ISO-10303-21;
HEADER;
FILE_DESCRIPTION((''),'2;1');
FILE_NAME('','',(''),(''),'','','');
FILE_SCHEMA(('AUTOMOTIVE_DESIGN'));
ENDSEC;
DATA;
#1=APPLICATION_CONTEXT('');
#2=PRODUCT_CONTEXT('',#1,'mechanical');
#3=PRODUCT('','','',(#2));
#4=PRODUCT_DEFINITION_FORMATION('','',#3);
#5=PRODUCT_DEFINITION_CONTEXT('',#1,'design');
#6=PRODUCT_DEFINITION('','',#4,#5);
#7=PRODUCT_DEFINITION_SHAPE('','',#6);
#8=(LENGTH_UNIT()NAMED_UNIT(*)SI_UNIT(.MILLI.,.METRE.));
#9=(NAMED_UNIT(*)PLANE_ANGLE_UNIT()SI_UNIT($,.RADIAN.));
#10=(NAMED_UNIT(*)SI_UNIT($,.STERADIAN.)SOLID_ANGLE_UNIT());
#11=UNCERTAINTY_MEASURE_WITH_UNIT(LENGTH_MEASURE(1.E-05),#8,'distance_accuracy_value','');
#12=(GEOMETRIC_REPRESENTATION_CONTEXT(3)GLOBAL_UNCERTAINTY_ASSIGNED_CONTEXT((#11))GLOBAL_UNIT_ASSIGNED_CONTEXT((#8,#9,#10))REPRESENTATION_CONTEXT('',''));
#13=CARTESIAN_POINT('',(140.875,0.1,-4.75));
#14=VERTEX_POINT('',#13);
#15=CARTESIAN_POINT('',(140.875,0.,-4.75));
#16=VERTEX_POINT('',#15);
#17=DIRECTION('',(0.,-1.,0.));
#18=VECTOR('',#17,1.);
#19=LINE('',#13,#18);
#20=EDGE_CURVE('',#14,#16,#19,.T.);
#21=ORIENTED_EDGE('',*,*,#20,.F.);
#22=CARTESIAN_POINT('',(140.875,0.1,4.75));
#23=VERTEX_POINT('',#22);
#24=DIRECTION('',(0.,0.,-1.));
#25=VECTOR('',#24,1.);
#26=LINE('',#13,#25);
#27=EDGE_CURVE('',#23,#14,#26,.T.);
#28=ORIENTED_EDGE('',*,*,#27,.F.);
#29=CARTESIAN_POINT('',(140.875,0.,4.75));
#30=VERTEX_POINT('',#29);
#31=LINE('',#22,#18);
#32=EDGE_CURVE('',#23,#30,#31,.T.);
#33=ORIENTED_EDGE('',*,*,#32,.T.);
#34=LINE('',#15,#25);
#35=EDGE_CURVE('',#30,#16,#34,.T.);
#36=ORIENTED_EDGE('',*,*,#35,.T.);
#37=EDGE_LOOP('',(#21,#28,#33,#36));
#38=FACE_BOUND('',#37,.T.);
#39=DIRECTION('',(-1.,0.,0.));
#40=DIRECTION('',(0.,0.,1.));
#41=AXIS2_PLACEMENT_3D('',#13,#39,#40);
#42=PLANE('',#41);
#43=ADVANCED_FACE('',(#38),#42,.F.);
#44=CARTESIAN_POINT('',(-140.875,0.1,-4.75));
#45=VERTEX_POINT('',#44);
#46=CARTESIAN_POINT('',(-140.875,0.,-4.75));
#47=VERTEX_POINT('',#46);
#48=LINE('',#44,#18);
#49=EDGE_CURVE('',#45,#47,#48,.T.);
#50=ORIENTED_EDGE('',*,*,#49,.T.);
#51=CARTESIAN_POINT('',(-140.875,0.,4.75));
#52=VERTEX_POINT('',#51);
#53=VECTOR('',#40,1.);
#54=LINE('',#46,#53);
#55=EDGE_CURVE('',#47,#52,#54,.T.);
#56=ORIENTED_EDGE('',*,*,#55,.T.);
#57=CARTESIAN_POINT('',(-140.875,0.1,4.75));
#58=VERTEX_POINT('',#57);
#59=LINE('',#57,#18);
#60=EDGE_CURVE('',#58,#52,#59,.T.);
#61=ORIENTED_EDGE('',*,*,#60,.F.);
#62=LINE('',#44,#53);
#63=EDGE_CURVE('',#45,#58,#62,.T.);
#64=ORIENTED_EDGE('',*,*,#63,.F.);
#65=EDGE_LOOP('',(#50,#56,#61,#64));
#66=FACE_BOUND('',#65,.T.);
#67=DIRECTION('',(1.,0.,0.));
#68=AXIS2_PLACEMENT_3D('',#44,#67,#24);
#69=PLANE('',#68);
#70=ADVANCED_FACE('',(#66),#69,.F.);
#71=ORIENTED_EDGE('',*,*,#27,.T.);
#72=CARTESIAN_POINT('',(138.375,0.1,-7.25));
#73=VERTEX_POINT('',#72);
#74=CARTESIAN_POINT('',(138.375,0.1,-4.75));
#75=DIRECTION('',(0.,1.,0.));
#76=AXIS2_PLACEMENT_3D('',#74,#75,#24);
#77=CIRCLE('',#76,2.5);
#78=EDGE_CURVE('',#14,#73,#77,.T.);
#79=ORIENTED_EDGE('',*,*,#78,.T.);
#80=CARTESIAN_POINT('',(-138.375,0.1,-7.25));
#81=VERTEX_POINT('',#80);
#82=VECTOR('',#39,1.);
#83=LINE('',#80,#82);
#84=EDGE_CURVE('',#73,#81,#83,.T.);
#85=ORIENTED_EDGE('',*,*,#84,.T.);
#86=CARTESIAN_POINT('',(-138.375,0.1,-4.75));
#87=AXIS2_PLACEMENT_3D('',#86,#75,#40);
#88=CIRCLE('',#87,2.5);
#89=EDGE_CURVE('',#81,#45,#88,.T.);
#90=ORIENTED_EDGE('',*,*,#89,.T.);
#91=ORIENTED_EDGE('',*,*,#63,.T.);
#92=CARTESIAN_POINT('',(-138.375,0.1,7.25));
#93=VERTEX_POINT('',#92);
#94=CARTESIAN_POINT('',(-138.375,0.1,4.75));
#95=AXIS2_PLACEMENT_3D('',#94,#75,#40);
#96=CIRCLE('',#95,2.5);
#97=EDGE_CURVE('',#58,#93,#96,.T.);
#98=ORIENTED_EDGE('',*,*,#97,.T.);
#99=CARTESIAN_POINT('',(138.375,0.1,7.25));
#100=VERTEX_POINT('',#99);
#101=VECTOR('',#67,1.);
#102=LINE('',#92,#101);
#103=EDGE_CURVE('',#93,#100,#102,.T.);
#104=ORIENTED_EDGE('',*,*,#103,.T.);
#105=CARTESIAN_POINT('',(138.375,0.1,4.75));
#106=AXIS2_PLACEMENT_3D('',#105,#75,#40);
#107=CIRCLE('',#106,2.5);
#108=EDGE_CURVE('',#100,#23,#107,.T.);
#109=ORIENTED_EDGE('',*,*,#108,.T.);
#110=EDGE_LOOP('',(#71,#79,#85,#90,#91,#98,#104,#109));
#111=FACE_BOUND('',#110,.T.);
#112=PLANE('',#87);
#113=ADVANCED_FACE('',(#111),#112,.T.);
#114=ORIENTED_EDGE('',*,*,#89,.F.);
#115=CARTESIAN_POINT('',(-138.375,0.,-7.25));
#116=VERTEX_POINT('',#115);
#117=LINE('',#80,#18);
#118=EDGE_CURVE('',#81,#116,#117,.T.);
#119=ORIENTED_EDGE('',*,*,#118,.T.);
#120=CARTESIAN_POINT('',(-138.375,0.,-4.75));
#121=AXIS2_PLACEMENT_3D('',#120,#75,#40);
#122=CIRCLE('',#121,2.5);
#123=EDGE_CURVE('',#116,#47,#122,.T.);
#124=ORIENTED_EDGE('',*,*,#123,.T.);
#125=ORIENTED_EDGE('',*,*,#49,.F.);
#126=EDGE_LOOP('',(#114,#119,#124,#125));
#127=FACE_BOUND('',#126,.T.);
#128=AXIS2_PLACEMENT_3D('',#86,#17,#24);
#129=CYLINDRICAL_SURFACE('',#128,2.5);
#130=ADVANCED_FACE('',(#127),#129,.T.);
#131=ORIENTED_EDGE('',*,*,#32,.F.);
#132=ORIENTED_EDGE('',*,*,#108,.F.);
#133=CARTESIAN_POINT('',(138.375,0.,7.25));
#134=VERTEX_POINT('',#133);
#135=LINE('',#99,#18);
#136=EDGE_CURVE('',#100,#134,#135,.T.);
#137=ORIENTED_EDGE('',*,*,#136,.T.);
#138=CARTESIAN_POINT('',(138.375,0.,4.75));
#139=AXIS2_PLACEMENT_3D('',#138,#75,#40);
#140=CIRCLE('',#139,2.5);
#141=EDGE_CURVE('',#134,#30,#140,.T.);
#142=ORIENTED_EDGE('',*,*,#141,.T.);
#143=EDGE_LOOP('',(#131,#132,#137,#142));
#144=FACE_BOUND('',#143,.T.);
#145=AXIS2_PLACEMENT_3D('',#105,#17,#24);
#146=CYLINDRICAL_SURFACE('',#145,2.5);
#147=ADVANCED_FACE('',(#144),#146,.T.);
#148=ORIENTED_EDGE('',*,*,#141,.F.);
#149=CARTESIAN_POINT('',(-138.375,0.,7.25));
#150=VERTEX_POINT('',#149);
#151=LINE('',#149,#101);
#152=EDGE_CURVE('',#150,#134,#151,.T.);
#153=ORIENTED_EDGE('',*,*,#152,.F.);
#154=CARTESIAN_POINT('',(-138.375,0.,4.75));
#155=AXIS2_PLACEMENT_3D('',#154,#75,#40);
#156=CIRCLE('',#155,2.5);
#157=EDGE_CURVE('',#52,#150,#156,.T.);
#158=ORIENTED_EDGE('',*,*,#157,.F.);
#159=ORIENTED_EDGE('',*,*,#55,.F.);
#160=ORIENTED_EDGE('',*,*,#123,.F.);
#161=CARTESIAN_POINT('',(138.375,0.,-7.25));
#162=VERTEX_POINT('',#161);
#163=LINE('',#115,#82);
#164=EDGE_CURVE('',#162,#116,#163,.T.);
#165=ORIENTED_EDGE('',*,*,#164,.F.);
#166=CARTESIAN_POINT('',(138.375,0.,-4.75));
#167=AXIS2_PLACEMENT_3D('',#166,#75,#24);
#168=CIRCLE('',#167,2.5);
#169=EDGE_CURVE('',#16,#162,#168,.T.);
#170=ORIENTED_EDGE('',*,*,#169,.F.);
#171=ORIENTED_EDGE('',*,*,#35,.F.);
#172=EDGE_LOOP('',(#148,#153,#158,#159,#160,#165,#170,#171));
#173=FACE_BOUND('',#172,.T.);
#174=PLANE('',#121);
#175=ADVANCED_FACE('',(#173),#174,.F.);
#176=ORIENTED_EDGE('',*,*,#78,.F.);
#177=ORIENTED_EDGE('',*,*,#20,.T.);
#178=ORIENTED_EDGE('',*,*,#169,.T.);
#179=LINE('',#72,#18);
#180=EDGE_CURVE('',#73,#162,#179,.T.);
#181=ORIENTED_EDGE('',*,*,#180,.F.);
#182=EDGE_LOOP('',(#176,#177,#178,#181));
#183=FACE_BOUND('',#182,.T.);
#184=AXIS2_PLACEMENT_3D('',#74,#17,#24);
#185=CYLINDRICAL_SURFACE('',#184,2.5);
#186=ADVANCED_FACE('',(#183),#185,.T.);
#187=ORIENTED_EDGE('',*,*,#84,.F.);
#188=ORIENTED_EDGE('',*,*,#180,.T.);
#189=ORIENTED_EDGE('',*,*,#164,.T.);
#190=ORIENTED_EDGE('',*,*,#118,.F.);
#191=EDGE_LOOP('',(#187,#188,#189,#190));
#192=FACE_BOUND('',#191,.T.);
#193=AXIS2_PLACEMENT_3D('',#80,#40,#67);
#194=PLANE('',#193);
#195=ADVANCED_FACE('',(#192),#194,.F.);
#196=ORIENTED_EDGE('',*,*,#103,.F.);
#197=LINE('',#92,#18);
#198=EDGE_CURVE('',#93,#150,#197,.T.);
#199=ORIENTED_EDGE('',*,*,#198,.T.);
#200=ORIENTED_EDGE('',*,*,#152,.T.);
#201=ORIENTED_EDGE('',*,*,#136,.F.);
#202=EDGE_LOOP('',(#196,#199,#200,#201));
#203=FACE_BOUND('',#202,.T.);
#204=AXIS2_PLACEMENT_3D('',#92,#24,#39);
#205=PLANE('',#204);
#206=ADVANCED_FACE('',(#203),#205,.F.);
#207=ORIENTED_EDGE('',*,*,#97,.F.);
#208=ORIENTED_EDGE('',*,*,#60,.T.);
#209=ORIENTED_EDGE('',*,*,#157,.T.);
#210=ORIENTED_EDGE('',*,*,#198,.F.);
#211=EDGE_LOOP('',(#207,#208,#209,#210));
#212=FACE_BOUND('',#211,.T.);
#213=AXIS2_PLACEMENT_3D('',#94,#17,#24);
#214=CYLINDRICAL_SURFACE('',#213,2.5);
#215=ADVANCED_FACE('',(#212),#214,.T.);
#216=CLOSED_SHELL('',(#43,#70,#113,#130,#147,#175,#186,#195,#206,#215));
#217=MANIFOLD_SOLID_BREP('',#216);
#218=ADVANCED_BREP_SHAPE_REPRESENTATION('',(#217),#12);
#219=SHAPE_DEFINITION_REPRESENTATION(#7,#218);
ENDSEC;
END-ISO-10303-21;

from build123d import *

# Parameters (mm, degrees)
AUFSATZ_LINEAR_AUSTRAGEN1_DEPTH = 0.1


with BuildPart() as part:
    # Skizze1 → Aufsatz-Linear austragen1 (new body)
    with BuildSketch(Plane(origin=(0, 0, 0), x_dir=(1, 0, 0), z_dir=(0, 1, 0))):
        with BuildLine():
            Line((-138.375, 7.25), (138.375, 7.25))
            ThreePointArc((138.375, 7.25), (140.142766953, 6.517766953), (140.875, 4.75))
            Line((140.875, 4.75), (140.875, -4.75))
            ThreePointArc((140.875, -4.75), (140.142766953, -6.517766953), (138.375, -7.25))
            Line((138.375, -7.25), (-138.375, -7.25))
            ThreePointArc((-138.375, -7.25), (-140.142766953, -6.517766953), (-140.875, -4.75))
            Line((-140.875, -4.75), (-140.875, 4.75))
            ThreePointArc((-140.875, 4.75), (-140.142766953, 6.517766953), (-138.375, 7.25))
        make_face()
    extrude(amount=AUFSATZ_LINEAR_AUSTRAGEN1_DEPTH)


solid = part.part
